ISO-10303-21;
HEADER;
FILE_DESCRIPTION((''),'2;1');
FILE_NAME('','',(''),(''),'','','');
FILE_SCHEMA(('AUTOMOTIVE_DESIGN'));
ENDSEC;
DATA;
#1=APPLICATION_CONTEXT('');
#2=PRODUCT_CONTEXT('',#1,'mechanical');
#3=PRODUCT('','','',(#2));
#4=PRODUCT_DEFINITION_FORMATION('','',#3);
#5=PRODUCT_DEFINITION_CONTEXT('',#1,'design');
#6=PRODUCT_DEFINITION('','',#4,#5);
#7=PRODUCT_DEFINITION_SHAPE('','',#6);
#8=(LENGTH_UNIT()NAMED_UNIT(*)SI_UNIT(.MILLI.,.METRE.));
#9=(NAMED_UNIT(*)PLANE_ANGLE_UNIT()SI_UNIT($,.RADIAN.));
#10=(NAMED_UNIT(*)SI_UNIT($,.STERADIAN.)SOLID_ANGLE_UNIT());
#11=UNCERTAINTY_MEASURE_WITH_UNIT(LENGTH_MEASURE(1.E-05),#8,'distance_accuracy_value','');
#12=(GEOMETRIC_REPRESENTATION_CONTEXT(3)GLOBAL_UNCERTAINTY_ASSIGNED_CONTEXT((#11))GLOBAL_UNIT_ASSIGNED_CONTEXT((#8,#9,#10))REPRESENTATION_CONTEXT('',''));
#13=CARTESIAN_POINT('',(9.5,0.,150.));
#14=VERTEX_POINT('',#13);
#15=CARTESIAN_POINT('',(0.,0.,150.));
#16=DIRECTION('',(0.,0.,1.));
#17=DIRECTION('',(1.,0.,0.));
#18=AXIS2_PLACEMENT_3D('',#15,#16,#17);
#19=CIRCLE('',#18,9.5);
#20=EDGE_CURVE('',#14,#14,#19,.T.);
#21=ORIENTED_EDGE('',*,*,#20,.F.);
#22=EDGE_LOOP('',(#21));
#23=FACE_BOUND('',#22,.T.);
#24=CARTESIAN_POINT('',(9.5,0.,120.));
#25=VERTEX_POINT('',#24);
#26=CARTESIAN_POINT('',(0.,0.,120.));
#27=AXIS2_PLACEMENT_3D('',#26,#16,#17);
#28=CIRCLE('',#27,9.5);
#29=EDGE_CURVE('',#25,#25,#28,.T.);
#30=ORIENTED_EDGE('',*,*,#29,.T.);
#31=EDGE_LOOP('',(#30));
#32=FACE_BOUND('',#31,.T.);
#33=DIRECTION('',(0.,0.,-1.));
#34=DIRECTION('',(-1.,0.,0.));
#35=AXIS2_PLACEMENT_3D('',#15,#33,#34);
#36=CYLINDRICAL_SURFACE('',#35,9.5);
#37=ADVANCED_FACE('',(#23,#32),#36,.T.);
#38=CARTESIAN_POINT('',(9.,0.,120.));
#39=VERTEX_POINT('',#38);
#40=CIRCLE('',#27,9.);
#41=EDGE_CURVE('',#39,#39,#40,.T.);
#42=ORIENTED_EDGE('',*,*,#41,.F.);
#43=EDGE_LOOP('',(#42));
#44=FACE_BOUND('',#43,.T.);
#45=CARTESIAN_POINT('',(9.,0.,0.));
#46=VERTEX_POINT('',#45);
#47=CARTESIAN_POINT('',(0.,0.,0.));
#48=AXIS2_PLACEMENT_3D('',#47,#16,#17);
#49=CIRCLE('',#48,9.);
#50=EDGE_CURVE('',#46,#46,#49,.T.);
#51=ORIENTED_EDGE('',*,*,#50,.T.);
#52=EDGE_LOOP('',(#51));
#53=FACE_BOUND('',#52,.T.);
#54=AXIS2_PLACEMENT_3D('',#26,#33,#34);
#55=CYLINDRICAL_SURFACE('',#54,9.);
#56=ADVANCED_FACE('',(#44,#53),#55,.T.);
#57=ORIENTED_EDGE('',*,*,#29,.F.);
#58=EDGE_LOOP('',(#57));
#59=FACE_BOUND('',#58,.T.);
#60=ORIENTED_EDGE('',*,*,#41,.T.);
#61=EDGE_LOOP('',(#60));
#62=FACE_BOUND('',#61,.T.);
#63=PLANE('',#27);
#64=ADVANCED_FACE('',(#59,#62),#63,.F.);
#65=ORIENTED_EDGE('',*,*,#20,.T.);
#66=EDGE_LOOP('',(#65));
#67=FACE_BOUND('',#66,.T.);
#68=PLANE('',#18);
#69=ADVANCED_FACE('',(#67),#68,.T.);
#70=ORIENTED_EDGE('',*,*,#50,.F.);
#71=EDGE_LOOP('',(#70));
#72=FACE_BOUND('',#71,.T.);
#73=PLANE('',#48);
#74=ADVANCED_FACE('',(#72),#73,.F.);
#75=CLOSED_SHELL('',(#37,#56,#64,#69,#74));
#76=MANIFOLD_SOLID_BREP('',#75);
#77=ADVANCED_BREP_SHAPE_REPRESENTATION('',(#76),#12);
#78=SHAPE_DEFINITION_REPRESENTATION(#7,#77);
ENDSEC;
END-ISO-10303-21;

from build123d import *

# Parameters (mm, degrees)
SKETCH1_R    = 9
BARREL_DEPTH = 120
SKETCH2_R    = 9.5
CAP_DEPTH    = 30


with BuildPart() as part:
    # Sketch1 → Barrel (new body)
    with BuildSketch(Plane.XY):
        Circle(SKETCH1_R)
    extrude(amount=BARREL_DEPTH)

    # Sketch2 → Cap (add)
    with BuildSketch(Plane.XY.offset(120)):
        Circle(SKETCH2_R)
    extrude(amount=CAP_DEPTH)


solid = part.part
